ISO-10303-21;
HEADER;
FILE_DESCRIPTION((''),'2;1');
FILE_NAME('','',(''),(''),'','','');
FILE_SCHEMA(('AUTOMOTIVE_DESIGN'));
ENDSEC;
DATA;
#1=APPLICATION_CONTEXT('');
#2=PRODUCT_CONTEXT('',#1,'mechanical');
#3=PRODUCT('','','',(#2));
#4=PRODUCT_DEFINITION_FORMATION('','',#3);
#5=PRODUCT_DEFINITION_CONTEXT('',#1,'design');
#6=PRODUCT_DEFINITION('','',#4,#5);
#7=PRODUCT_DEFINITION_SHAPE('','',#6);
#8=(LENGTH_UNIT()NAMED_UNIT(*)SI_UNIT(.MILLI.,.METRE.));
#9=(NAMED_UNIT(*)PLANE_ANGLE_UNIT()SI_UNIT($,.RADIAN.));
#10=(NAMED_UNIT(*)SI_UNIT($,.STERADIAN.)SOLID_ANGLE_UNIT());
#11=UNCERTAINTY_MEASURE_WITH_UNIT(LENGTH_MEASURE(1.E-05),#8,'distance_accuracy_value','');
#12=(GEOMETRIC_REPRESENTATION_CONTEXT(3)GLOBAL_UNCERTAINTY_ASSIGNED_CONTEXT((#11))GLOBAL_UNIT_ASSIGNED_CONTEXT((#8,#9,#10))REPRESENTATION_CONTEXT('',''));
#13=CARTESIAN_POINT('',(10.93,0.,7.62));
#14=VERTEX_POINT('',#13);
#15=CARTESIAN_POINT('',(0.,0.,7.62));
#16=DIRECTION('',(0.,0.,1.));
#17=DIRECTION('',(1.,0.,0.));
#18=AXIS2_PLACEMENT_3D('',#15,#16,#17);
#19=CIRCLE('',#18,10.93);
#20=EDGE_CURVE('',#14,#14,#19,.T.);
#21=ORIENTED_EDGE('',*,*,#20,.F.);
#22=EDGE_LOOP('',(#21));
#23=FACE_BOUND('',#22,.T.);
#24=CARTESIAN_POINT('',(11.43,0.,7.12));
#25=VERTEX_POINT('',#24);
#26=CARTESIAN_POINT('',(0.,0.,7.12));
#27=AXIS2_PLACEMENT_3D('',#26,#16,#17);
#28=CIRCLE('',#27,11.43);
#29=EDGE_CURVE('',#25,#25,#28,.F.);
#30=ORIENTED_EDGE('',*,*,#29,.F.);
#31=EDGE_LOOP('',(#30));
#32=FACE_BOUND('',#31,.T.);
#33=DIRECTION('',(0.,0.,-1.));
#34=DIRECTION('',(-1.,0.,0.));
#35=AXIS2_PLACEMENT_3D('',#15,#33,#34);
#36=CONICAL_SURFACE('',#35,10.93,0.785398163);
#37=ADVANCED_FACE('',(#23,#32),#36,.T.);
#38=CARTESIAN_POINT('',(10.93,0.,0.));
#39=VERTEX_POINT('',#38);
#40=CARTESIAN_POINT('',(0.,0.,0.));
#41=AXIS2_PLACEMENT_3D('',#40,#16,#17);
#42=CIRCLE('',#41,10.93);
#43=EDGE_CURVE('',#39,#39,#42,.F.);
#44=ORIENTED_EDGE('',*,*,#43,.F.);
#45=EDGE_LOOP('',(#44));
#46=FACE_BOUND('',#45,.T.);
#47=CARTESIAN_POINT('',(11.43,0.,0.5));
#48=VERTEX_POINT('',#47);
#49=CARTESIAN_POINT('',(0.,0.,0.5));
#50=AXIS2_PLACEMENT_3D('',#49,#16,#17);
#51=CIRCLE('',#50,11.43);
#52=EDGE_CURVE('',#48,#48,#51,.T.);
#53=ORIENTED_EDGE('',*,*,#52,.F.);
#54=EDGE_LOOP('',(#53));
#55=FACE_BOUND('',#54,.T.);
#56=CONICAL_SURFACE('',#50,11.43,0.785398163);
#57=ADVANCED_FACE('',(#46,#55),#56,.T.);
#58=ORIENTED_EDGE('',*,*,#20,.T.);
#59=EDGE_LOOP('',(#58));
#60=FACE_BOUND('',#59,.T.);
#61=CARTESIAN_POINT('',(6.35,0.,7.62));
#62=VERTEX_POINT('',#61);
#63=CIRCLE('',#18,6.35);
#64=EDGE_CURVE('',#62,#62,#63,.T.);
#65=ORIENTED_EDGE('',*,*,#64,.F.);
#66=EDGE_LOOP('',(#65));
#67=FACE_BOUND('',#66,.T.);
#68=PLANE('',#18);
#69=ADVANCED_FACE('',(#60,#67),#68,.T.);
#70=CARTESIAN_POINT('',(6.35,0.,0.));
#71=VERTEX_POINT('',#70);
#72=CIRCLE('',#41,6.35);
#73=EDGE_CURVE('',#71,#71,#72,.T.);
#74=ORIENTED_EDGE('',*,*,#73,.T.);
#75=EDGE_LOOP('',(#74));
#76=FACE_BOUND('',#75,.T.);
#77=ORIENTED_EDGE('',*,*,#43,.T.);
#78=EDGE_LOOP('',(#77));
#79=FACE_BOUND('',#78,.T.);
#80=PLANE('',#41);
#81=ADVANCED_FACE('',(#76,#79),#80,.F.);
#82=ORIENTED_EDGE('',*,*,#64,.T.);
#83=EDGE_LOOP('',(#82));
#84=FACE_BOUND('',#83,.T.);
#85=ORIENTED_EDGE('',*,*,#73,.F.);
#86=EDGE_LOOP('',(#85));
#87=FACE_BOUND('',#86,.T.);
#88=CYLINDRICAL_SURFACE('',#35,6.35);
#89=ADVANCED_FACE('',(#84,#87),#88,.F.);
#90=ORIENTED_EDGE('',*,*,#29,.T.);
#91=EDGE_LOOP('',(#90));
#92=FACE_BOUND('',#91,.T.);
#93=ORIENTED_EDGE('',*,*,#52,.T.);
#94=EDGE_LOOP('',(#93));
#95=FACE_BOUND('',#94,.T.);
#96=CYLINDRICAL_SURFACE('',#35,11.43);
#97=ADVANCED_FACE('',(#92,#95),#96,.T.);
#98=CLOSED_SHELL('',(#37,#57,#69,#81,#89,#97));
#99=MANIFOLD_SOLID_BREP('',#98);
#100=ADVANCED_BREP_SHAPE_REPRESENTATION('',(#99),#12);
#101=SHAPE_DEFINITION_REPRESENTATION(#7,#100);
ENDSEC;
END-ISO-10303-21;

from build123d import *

# Parameters (mm, degrees)
SKETCH1_R           = 11.43
SKETCH1_R_2         = 6.35
BOSS_EXTRUDE1_DEPTH = 7.62
CHAMFER1_SIZE       = 0.5


with BuildPart() as part:
    # Sketch1 → Boss-Extrude1 (new body)
    with BuildSketch(Plane.XY):
        Circle(SKETCH1_R)
        Circle(SKETCH1_R_2, mode=Mode.SUBTRACT)
    extrude(amount=BOSS_EXTRUDE1_DEPTH)

    # Chamfer1
    chamfer1_edges = [part.edges().sort_by_distance(p)[0] for p in [
        (-11.43, 0, 0),
        (-11.43, 0, 7.62),
    ]]
    chamfer(chamfer1_edges, length=CHAMFER1_SIZE)


solid = part.part
